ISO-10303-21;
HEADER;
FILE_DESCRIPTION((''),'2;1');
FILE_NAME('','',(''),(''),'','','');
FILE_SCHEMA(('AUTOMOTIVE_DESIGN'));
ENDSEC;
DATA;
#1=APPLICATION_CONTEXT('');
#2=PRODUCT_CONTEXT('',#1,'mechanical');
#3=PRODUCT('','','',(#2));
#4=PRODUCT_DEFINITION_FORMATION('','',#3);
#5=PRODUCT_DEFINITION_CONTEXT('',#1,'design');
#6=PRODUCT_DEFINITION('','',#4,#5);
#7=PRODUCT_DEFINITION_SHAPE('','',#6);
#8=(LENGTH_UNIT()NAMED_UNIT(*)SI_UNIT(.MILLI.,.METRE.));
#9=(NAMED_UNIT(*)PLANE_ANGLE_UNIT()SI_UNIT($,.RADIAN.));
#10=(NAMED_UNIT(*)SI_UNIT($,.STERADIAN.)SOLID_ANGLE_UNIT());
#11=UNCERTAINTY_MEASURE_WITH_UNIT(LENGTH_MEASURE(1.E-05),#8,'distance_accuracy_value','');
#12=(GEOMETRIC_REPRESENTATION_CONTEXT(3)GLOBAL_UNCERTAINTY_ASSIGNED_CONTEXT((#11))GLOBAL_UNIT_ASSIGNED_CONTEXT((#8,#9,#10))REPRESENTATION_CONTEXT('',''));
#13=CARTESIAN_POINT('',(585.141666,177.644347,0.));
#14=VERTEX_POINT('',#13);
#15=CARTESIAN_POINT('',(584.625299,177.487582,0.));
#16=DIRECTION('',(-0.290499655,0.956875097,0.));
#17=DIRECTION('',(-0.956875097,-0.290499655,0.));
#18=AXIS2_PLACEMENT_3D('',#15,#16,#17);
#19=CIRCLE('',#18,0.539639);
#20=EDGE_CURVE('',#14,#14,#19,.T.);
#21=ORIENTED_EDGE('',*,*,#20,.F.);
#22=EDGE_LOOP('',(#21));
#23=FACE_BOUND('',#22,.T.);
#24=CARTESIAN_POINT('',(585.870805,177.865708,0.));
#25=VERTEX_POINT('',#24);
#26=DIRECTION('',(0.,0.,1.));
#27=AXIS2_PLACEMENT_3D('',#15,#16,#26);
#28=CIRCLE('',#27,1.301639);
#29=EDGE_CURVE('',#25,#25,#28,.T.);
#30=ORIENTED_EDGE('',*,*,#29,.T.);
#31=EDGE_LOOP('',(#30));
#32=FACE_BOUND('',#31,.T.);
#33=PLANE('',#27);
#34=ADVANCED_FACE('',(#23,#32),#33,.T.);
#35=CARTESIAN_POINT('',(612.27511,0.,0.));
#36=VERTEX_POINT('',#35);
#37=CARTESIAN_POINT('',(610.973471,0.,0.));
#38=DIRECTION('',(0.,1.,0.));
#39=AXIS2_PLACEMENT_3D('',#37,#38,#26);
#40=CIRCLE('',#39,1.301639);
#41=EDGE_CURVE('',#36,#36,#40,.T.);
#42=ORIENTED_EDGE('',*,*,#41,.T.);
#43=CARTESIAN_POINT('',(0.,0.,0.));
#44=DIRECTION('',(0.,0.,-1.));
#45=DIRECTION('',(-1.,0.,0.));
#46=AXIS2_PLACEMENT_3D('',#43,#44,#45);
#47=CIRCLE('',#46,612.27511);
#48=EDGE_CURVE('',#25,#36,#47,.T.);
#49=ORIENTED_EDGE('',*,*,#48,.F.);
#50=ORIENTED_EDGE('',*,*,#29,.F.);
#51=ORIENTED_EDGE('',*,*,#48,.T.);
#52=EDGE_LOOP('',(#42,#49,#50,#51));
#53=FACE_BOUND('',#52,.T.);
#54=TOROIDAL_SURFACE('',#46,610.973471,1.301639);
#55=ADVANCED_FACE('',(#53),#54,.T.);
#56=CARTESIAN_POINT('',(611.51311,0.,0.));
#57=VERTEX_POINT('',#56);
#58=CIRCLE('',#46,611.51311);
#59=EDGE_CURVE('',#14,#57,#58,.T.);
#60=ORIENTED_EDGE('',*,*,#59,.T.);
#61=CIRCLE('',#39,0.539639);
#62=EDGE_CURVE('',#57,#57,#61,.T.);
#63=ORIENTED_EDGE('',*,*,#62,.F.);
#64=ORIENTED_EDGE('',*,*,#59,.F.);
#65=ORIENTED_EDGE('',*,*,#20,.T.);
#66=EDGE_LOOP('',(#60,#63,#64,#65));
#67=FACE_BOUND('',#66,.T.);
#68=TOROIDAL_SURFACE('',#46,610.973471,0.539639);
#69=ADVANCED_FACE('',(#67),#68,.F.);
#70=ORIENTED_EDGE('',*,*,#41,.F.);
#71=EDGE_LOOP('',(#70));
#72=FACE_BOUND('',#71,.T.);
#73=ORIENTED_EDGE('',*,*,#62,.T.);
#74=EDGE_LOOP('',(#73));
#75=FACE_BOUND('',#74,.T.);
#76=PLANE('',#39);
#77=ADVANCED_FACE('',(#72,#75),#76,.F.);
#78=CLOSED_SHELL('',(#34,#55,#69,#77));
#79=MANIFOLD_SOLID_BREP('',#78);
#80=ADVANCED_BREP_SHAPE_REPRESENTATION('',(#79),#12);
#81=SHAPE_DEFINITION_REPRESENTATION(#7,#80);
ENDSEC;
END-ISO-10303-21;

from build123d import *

# Parameters (mm, degrees)
SKETCH2_R   = 1.301639252
SKETCH2_R_2 = 0.539639252


with BuildPart() as part:
    # Sweep-Thin1: sweep along a path in Sketch1
    with BuildLine(Plane.XY) as sweep_thin1_path:
        ThreePointArc((585.654369783, 177.8), (605.41432323, 89.874234763), (612.048920304, 0))
    # Sketch2 → Sweep-Thin1 (sweep)
    with BuildSketch(Plane(origin=(0, 0, 0), x_dir=(1, 0, 0), z_dir=(0, 1, 0))):
        with Locations((610.973470511, 0)):
            Circle(SKETCH2_R)
        with Locations((610.973470511, 0)):
            Circle(SKETCH2_R_2, mode=Mode.SUBTRACT)
    sweep(path=sweep_thin1_path.line)


solid = part.part
